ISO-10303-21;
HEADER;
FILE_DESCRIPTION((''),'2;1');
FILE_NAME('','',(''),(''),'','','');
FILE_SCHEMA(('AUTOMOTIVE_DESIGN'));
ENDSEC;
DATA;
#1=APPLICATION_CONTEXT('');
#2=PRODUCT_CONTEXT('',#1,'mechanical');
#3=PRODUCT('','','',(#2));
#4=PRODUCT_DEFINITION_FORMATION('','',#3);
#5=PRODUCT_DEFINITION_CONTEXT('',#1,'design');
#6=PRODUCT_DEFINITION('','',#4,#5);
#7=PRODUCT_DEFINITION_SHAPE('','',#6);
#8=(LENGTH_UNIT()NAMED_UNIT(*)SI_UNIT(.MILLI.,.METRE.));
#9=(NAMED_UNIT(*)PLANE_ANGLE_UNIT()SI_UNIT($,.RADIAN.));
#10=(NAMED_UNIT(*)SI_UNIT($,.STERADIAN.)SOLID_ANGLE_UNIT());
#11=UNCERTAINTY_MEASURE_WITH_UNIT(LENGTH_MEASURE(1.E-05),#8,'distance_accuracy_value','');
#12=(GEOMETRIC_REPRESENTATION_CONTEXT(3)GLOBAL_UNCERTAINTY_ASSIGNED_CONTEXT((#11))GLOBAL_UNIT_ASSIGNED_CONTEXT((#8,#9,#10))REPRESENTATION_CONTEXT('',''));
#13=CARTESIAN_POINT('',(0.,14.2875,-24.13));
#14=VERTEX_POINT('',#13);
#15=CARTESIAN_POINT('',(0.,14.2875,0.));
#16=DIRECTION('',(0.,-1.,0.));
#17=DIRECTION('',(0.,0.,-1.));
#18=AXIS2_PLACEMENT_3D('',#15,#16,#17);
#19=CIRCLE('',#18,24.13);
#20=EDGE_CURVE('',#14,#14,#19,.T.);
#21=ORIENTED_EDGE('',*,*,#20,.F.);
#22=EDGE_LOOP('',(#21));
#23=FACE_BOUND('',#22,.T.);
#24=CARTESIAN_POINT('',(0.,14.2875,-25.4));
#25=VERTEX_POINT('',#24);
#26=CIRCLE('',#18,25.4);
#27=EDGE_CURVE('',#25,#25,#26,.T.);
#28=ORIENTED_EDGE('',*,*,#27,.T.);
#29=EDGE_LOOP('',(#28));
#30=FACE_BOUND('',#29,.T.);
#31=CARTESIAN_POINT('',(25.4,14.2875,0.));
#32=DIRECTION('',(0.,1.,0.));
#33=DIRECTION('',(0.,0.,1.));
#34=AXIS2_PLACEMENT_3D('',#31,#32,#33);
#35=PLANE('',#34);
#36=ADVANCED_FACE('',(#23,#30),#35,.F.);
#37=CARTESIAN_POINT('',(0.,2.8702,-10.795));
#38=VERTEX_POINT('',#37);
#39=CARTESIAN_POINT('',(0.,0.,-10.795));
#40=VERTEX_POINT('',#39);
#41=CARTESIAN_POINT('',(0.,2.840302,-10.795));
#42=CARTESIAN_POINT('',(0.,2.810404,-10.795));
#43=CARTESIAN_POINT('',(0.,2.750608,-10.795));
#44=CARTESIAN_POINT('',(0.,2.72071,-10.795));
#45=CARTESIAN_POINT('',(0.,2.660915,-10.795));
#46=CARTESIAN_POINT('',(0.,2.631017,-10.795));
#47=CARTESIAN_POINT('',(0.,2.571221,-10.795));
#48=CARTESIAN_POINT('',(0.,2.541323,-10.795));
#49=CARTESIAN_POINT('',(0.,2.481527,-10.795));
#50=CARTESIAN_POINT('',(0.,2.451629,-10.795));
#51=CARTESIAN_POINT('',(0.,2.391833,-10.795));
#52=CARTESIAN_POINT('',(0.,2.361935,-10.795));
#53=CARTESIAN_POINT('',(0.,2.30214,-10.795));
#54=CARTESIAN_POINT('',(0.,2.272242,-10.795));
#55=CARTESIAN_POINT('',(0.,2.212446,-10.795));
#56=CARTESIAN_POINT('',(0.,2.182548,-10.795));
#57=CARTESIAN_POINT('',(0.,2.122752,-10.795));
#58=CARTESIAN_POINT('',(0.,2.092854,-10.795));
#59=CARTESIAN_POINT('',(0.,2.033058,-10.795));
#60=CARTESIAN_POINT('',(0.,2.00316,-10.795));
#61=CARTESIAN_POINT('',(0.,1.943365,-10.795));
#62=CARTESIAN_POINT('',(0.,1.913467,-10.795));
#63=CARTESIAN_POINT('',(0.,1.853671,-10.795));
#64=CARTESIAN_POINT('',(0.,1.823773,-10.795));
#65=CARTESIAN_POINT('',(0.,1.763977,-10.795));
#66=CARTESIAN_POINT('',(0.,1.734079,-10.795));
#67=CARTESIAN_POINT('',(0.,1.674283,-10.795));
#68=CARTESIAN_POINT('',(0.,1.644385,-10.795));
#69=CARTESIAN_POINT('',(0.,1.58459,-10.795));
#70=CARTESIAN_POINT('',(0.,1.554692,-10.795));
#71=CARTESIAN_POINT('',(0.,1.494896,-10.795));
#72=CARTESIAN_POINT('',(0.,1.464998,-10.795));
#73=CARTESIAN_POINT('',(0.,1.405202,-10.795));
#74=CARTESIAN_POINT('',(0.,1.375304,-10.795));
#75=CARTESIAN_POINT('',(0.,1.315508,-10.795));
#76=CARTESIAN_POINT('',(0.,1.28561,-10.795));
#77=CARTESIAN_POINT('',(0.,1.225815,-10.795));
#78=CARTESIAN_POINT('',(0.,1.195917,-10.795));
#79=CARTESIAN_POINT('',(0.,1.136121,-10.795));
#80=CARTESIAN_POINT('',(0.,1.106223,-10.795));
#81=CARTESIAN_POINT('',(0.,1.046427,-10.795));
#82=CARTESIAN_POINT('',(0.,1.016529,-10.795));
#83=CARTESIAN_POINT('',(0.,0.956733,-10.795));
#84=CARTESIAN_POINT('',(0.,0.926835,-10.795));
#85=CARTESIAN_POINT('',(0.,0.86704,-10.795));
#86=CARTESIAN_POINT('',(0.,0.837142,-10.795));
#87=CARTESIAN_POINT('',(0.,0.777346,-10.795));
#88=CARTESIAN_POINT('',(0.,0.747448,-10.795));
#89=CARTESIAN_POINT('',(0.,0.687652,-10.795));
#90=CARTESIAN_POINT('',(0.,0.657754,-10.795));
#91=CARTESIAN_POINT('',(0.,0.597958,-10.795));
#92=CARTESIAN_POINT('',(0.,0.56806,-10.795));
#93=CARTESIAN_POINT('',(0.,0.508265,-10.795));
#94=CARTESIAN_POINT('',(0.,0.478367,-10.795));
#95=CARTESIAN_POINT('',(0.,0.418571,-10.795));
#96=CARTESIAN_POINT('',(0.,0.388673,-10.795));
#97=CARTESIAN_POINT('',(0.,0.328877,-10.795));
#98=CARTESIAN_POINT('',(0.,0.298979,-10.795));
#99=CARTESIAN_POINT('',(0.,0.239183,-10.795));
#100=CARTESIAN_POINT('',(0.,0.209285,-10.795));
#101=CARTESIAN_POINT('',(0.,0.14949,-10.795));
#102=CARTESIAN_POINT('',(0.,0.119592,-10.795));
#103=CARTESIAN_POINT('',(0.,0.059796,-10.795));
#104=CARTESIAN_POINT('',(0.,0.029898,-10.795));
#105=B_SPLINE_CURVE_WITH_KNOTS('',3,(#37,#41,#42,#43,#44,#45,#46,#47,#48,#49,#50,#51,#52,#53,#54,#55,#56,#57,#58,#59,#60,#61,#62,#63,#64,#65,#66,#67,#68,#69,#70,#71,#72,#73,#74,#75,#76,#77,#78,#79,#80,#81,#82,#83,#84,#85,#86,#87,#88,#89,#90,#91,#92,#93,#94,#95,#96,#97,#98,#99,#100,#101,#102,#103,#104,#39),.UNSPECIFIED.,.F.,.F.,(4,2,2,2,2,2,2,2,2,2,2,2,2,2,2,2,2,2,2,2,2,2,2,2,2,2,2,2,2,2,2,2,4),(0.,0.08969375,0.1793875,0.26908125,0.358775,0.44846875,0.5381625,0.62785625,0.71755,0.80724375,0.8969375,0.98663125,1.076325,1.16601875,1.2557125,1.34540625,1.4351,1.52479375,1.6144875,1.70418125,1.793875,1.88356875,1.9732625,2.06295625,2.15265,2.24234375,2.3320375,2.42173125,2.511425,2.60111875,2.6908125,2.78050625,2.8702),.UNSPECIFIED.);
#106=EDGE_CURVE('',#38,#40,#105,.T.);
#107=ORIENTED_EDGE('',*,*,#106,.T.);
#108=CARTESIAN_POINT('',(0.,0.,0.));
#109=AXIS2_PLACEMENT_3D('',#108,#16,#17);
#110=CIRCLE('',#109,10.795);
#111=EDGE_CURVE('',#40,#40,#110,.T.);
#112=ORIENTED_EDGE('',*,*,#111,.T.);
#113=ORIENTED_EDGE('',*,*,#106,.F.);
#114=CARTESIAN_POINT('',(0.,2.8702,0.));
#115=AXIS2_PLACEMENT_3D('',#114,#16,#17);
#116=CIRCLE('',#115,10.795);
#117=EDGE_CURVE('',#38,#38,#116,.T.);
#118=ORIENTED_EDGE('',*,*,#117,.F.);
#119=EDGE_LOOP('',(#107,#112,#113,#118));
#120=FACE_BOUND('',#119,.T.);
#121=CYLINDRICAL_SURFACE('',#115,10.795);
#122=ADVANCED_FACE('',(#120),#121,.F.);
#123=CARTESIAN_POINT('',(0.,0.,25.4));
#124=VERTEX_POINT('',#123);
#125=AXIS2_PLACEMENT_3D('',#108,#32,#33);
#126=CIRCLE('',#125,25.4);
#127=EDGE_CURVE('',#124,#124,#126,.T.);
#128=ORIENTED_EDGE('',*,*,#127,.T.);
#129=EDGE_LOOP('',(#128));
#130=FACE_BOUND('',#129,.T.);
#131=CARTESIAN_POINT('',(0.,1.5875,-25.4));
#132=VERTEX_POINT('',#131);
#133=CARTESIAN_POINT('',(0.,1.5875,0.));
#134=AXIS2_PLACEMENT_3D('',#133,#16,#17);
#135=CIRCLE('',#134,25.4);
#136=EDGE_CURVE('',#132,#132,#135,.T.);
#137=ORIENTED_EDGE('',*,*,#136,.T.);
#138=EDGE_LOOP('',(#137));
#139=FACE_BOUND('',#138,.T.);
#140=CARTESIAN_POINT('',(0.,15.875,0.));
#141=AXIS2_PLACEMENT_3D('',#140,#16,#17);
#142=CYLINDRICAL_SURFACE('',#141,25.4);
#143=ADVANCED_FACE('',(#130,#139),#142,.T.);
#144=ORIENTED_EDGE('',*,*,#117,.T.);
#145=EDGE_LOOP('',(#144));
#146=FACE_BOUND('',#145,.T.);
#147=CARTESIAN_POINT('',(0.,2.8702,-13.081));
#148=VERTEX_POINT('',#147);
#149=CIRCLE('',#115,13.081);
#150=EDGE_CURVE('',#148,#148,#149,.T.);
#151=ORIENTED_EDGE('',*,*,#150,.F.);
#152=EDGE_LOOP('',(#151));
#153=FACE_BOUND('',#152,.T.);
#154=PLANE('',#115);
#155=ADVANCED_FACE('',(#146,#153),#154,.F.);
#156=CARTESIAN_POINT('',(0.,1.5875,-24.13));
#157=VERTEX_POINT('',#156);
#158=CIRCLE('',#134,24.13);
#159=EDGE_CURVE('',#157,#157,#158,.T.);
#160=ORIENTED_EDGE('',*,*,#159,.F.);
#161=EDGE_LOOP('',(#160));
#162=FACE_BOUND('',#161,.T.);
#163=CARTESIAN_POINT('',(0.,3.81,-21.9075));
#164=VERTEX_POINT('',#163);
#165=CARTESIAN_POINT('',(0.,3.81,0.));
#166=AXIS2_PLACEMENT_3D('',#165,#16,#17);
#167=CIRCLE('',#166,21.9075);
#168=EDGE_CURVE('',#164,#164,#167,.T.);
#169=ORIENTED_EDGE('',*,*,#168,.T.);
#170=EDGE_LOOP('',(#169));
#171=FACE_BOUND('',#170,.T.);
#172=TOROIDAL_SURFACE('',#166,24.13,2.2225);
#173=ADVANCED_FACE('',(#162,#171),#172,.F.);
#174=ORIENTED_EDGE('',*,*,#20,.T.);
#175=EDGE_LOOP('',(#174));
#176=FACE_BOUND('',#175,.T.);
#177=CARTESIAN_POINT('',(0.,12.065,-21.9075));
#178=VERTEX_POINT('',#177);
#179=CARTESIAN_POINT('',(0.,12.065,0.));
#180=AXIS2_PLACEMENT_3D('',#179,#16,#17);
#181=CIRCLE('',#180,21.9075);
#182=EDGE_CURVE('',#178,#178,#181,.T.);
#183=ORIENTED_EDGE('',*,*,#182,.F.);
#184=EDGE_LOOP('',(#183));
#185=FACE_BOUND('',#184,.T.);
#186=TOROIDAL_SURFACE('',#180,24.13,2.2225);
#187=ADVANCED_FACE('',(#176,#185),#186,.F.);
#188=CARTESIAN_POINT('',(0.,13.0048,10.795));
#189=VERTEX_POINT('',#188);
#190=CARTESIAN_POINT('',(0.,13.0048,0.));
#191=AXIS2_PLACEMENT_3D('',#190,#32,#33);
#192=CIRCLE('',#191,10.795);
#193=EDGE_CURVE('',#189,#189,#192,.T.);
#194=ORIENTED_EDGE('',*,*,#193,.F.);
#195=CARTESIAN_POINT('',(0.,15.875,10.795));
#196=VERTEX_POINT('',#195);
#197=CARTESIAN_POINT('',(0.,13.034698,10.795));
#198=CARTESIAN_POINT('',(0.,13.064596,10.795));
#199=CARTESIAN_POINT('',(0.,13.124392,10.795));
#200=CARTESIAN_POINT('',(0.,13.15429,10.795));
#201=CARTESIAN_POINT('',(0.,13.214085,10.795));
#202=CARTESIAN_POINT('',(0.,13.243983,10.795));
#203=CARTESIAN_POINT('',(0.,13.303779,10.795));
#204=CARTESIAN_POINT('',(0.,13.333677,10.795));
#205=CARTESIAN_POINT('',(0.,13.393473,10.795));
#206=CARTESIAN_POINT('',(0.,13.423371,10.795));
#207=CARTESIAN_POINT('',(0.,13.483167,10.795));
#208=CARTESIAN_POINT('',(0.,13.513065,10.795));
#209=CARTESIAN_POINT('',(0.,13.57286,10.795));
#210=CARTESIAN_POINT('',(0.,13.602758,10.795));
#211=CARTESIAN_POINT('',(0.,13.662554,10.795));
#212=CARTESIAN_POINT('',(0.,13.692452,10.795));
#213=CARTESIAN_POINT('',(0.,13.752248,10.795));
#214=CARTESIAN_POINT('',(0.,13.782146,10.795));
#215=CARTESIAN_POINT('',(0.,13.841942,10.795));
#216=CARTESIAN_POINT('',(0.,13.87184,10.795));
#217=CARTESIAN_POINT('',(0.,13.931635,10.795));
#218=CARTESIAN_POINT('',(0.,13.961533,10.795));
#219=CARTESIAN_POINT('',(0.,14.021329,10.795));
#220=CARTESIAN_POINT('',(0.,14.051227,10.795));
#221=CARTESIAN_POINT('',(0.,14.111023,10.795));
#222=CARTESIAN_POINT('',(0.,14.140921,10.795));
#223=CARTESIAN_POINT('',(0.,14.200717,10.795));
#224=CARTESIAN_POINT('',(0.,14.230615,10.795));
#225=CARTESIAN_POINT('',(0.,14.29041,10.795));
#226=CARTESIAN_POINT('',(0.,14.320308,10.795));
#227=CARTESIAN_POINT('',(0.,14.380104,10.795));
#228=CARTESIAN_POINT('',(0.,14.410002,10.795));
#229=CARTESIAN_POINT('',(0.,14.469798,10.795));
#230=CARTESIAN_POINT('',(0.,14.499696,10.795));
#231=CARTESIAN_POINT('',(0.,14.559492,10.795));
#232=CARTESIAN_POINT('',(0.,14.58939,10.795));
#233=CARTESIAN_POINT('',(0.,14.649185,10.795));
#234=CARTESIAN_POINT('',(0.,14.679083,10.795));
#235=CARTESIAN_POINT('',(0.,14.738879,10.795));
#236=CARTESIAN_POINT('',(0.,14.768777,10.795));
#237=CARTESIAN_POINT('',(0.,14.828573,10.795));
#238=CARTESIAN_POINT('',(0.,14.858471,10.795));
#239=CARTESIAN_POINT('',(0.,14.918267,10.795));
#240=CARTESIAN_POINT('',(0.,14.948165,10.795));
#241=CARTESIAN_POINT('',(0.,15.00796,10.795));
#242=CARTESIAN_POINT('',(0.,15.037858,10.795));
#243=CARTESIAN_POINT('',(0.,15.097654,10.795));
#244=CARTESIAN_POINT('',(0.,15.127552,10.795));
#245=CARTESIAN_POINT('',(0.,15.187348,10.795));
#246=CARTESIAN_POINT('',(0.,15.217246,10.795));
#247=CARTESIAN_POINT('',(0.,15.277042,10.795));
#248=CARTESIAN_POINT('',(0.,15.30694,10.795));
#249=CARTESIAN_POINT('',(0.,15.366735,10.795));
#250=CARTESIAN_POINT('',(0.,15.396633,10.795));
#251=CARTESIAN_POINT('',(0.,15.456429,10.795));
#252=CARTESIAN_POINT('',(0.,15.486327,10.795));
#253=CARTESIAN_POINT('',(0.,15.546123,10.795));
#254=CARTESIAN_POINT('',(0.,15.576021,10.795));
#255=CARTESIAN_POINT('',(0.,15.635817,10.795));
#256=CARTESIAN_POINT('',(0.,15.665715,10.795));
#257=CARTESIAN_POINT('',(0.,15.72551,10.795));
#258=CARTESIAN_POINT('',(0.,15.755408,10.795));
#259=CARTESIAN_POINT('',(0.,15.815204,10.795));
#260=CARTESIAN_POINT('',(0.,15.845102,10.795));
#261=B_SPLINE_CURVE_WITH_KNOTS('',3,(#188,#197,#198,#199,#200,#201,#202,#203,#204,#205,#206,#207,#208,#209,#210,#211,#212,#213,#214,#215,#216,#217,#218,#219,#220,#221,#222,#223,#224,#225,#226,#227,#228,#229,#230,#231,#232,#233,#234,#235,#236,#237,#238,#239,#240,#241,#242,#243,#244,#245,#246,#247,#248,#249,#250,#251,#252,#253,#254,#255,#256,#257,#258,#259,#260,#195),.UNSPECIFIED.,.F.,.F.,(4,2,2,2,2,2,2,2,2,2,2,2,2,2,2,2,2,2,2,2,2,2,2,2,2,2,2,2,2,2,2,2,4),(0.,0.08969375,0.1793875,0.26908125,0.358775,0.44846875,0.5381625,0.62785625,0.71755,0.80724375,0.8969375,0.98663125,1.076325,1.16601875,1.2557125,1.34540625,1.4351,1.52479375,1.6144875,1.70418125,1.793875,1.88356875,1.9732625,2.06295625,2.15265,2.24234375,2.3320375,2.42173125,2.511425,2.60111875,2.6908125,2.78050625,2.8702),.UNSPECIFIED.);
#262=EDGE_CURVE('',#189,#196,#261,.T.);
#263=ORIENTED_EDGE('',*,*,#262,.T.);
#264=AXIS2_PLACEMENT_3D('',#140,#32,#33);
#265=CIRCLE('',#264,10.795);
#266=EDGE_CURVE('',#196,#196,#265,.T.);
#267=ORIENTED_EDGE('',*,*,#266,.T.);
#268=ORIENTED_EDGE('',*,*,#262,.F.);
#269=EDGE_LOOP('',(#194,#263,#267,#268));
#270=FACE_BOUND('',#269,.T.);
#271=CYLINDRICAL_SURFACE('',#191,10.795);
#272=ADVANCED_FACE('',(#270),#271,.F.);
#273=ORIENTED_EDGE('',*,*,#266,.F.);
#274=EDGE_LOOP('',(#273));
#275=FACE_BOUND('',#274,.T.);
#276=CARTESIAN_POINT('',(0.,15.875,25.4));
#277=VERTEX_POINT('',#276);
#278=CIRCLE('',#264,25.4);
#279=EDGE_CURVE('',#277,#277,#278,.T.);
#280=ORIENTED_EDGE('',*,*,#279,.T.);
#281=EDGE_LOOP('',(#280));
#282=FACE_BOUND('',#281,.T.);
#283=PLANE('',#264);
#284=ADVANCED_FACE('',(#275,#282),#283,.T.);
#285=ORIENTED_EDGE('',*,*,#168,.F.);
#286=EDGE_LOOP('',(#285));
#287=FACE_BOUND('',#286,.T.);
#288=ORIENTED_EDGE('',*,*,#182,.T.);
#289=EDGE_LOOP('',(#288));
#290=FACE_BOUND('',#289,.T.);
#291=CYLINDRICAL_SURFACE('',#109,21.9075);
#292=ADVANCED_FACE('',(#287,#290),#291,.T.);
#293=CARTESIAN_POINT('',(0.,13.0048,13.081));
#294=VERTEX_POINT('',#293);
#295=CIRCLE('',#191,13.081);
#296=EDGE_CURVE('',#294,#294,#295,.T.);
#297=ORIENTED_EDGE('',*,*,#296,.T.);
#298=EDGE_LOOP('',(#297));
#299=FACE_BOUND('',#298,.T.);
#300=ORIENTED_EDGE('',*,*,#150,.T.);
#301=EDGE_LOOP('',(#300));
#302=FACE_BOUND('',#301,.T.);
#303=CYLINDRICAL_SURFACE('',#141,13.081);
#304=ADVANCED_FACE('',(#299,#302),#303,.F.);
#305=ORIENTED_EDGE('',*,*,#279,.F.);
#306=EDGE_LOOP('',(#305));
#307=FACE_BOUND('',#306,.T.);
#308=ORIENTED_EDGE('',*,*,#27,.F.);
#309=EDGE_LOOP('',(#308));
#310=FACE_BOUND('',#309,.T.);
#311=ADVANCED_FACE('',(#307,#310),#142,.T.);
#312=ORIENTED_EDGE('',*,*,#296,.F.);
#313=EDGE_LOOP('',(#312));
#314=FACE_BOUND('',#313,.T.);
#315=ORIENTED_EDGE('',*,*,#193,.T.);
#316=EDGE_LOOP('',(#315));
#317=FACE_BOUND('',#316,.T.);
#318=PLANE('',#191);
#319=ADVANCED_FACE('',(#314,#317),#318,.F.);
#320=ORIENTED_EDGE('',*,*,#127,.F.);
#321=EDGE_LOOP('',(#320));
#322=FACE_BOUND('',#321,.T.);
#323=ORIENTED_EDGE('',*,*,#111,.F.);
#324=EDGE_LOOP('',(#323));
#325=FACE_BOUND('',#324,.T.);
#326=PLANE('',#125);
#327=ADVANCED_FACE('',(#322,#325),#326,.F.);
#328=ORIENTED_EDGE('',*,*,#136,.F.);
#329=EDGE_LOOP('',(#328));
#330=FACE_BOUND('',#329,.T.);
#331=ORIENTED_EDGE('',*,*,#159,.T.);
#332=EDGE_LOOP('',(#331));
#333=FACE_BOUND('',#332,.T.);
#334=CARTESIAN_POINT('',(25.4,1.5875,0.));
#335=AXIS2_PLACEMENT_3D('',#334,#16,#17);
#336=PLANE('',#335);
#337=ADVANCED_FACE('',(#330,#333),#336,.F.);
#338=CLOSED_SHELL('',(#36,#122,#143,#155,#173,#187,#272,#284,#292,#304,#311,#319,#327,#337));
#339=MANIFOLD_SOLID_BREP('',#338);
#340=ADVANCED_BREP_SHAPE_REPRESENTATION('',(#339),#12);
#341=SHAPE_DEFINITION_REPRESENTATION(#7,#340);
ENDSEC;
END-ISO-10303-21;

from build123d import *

# Parameters (mm, degrees)
SKETCH1_R           = 25.4
SKETCH1_R_2         = 13.081
BOSS_EXTRUDE1_DEPTH = 15.875
SKETCH7_R           = 15.875
SKETCH7_R_2         = 10.795
BOSS_EXTRUDE2_DEPTH = 2.8702
BOSS_EXTRUDE5_START = -2.8702
SKETCH9_R           = 15.875
SKETCH9_R_2         = 10.795
BOSS_EXTRUDE5_DEPTH = 2.8702


with BuildPart() as part:
    # Sketch1 → Boss-Extrude1 (new body)
    with BuildSketch(Plane(origin=(0, 0, 0), x_dir=(1, 0, 0), z_dir=(0, 1, 0))):
        with Locations(Location((0, 0, 0), (0, 0, 270))):
            Circle(SKETCH1_R)
        with Locations(Location((0, 0, 0), (0, 0, 270))):
            Circle(SKETCH1_R_2, mode=Mode.SUBTRACT)
    extrude(amount=BOSS_EXTRUDE1_DEPTH)

    # Sketch2 → Cut-Revolve1 (revolve, cut)
    with BuildSketch(Plane.XY, mode=Mode.PRIVATE) as cut_revolve1_sk:
        with BuildLine():
            Line((25.4, 14.2875), (24.13, 14.2875))
            ThreePointArc((24.13, 14.2875), (22.558455179, 13.636544821), (21.9075, 12.065))
            Line((21.9075, 12.065), (21.9075, 3.81))
            ThreePointArc((21.9075, 3.81), (22.558455179, 2.238455179), (24.13, 1.5875))
            Line((24.13, 1.5875), (25.4, 1.5875))
            Line((25.4, 1.5875), (25.4, 14.2875))
        make_face()
    revolve(cut_revolve1_sk.sketch.rotate(Axis((0, 0, 0), (0, 1, 0)), 90), axis=Axis((0, 0, 0), (0, 1, 0)), mode=Mode.SUBTRACT)

    # Sketch7 → Boss-Extrude2 (add)
    with BuildSketch(Plane.XZ):
        Circle(SKETCH7_R)
        with Locations(Location((0, 0, 0), (0, 0, 270))):
            Circle(SKETCH7_R_2, mode=Mode.SUBTRACT)
    extrude(amount=-BOSS_EXTRUDE2_DEPTH)

    # Sketch9 → Boss-Extrude5 (add)
    with BuildSketch(Plane(origin=(0, 15.875, 0), x_dir=(1, 0, 0), z_dir=(0, 1, 0)).offset(BOSS_EXTRUDE5_START)):
        Circle(SKETCH9_R)
        with Locations(Location((0, 0, 0), (0, 0, 90))):
            Circle(SKETCH9_R_2, mode=Mode.SUBTRACT)
    extrude(amount=BOSS_EXTRUDE5_DEPTH)


solid = part.part
